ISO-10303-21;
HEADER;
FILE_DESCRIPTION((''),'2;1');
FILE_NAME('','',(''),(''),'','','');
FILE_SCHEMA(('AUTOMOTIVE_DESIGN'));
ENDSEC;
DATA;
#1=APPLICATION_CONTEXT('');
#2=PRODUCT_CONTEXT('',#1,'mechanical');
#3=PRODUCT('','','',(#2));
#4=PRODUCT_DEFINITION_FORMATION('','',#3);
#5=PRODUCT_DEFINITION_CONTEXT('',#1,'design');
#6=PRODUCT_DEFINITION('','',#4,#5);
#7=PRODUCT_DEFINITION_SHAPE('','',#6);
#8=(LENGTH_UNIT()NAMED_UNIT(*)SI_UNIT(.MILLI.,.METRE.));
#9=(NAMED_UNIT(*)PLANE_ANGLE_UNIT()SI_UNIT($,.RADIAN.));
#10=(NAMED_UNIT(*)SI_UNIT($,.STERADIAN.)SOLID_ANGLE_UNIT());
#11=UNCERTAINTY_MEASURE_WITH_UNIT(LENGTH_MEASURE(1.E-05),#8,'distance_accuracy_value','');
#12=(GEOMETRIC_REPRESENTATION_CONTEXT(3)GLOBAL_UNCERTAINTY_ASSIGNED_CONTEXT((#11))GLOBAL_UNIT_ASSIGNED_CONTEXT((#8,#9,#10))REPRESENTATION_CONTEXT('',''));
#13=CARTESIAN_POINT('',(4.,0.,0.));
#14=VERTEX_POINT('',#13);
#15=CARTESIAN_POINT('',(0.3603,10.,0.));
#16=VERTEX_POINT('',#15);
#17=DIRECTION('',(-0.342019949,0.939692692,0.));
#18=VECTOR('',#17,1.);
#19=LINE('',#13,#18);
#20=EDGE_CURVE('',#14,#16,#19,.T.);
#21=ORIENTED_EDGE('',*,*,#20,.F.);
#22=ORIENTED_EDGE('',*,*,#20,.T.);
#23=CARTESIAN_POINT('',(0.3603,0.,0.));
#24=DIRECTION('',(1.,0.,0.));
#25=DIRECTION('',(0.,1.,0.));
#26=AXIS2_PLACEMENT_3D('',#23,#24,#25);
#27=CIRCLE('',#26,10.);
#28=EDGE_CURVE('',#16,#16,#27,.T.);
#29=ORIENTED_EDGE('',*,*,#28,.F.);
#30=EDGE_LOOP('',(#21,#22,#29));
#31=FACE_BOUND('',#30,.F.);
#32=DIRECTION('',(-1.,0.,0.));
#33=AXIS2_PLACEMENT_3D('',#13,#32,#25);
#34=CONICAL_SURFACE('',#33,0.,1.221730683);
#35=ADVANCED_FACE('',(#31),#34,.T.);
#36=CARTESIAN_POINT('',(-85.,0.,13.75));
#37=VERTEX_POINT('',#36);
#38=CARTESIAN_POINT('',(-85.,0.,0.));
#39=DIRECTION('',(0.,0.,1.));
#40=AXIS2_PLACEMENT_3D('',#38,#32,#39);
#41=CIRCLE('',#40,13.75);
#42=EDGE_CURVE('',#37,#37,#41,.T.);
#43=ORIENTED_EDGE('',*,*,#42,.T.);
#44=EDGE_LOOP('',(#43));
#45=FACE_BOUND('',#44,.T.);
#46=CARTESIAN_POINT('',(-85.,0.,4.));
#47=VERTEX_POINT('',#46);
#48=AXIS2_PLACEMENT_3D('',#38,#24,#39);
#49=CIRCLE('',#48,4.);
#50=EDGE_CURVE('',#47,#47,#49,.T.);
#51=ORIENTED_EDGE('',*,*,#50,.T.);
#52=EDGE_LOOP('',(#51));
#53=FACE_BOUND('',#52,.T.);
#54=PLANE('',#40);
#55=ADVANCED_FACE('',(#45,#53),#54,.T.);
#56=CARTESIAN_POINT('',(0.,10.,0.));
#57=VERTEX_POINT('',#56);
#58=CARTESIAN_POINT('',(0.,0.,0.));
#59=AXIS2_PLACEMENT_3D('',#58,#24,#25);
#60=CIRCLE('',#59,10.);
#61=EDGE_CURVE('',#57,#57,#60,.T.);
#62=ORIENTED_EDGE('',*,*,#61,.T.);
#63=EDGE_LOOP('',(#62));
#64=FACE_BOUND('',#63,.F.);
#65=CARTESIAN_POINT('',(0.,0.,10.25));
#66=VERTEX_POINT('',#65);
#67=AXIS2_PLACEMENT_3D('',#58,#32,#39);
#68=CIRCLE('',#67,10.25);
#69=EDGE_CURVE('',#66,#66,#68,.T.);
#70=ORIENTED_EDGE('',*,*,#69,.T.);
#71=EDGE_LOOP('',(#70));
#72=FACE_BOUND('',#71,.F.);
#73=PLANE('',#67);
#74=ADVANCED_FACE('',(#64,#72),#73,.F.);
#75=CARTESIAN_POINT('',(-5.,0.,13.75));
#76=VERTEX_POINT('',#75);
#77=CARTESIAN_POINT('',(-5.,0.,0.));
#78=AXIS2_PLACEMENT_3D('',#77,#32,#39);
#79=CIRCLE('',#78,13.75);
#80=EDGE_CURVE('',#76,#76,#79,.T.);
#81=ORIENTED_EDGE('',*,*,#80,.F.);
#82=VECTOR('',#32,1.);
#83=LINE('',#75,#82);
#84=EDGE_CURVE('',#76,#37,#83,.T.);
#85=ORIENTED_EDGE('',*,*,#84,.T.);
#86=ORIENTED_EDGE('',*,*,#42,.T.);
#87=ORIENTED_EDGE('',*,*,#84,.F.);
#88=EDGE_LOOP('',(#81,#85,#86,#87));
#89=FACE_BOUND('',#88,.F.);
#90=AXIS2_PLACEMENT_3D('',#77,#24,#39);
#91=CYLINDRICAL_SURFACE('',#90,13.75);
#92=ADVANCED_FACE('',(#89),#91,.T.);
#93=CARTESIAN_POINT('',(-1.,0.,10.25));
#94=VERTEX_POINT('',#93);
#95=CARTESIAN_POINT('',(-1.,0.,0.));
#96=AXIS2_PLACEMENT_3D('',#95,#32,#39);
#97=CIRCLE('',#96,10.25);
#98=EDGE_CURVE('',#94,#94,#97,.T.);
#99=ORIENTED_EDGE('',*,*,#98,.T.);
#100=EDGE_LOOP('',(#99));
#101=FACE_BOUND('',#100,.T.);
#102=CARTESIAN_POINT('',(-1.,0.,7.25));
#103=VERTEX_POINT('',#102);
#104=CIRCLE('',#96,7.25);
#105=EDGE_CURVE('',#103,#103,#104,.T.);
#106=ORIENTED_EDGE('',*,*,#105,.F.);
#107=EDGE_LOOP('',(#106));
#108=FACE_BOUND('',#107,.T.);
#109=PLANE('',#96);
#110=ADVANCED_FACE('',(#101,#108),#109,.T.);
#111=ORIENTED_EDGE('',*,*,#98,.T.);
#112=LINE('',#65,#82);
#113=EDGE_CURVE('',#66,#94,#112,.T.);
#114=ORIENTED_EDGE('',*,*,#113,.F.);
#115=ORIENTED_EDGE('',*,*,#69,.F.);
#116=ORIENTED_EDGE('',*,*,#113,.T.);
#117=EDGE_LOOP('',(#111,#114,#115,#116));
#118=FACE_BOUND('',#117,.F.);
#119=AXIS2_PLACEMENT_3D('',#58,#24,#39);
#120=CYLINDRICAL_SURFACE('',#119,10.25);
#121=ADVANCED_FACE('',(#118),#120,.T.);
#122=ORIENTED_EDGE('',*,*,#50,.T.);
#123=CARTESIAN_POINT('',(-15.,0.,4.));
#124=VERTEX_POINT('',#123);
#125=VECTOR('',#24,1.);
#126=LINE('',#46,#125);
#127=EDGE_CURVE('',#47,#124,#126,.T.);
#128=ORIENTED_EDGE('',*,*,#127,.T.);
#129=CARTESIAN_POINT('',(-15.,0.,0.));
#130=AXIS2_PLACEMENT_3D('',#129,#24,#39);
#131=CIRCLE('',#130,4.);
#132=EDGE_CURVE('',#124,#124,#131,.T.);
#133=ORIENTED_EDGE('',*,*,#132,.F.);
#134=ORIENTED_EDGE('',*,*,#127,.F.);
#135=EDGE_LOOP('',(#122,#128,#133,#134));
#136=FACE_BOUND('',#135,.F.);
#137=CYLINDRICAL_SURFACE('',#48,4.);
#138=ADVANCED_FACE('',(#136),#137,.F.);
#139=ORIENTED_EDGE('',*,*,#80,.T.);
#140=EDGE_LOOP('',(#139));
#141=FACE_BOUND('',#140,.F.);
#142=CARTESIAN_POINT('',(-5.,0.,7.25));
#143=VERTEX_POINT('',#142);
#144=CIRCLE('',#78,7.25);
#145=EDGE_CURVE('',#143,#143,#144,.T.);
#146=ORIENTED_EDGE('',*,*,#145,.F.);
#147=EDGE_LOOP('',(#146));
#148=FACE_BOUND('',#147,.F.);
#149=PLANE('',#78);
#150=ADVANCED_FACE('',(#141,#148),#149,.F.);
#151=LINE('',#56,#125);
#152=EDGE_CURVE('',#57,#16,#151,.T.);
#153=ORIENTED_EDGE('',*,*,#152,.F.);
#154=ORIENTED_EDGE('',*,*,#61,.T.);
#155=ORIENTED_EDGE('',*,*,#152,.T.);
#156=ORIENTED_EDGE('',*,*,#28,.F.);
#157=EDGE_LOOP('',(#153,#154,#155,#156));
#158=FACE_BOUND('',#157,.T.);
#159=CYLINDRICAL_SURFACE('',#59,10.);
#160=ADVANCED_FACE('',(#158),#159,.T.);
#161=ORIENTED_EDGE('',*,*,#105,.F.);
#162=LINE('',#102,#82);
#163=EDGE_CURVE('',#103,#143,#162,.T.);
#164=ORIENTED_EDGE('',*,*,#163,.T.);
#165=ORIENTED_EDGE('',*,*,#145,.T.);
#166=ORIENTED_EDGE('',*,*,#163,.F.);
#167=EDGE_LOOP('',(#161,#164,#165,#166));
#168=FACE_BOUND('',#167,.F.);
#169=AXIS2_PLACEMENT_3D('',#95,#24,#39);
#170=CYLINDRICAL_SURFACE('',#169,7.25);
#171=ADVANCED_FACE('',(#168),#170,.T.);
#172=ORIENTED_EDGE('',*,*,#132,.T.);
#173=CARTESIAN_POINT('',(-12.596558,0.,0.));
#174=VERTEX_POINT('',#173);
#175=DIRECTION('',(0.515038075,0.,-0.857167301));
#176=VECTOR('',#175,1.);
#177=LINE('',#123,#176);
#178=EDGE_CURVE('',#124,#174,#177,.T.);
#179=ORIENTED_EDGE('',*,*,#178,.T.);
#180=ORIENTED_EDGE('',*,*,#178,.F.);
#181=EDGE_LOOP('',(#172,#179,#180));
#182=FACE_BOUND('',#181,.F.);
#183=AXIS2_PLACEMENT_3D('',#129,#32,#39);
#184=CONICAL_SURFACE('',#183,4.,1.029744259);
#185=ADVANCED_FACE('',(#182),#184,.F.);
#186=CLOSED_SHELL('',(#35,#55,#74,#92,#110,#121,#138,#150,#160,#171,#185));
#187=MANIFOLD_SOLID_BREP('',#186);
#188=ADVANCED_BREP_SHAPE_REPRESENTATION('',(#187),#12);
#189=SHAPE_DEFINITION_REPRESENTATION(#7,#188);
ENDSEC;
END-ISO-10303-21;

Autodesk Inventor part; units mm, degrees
ref_plane "YZ Plane" through (0, 0, 0) normal (1, 0, 0) x (0, 1, 0)
ref_plane "XZ Plane" through (0, 0, 0) normal (0, 1, 0) x (-1, 0, 0)
ref_plane "XY Plane" through (0, 0, 0) normal (0, 0, 1) x (1, 0, 0)
sketch "Sketch1" plane through (0, 0, 0) normal (0, 0, 1) x (1, 0, 0)
  line L0 (0, 0) -> (0, 10)
  line L1 (0, 0) -> (4, 0)
  line L2 (4, 0) -> (4, 20) construction
  line L3 (4, 0) -> (0.3603, 10)
  line L4 (0, 10) -> (0.3603, 10)
  line L5 (0, 0) -> (15.4124, 0)
  dimension "d0" = 10
  dimension "d1" = 20
  dimension "d2" = 4
  dimension "d3" = 11.4123
  dimension "d4" = 20
revolve "Revolution1" add sketch "Sketch1" angle 360 about axis through (0, 0, 0) along (1, 0, 0)
sketch "Sketch2" plane through (0, 0, 0) normal (-1, 0, 0) x (0, 0, 1)
  circle A0 centre (0, 0) radius 10.25
  dimension "d6" = 20.5
extrude "Extrusion1" add sketch "Sketch2" along normal blind 1
sketch "Sketch3" plane through (-1, 0, 0) normal (-1, 0, 0) x (0, 0, 1)
  circle A0 centre (0, 0) radius 7.25
  dimension "d9" = 14.5
extrude "Extrusion2" add sketch "Sketch3" along normal blind 4
sketch "Sketch4" plane through (-5, 0, 0) normal (-1, 0, 0) x (0, 0, 1)
  circle A0 centre (0, 0) radius 13.75
  dimension "d12" = 27.5
extrude "Extrusion3" add sketch "Sketch4" along normal blind 80
sketch "Sketch5" plane through (-85, 0, 0) normal (-1, 0, 0) x (0, 0, 1)
  point P0 (0, 0)
  point P1 (0, 0)
hole "Hole1" at (-85, 0, 0) direction (1, 0, 0) diameter 8 depth 70 tip angle 118
properties part number "Jeringa_coreV2"
